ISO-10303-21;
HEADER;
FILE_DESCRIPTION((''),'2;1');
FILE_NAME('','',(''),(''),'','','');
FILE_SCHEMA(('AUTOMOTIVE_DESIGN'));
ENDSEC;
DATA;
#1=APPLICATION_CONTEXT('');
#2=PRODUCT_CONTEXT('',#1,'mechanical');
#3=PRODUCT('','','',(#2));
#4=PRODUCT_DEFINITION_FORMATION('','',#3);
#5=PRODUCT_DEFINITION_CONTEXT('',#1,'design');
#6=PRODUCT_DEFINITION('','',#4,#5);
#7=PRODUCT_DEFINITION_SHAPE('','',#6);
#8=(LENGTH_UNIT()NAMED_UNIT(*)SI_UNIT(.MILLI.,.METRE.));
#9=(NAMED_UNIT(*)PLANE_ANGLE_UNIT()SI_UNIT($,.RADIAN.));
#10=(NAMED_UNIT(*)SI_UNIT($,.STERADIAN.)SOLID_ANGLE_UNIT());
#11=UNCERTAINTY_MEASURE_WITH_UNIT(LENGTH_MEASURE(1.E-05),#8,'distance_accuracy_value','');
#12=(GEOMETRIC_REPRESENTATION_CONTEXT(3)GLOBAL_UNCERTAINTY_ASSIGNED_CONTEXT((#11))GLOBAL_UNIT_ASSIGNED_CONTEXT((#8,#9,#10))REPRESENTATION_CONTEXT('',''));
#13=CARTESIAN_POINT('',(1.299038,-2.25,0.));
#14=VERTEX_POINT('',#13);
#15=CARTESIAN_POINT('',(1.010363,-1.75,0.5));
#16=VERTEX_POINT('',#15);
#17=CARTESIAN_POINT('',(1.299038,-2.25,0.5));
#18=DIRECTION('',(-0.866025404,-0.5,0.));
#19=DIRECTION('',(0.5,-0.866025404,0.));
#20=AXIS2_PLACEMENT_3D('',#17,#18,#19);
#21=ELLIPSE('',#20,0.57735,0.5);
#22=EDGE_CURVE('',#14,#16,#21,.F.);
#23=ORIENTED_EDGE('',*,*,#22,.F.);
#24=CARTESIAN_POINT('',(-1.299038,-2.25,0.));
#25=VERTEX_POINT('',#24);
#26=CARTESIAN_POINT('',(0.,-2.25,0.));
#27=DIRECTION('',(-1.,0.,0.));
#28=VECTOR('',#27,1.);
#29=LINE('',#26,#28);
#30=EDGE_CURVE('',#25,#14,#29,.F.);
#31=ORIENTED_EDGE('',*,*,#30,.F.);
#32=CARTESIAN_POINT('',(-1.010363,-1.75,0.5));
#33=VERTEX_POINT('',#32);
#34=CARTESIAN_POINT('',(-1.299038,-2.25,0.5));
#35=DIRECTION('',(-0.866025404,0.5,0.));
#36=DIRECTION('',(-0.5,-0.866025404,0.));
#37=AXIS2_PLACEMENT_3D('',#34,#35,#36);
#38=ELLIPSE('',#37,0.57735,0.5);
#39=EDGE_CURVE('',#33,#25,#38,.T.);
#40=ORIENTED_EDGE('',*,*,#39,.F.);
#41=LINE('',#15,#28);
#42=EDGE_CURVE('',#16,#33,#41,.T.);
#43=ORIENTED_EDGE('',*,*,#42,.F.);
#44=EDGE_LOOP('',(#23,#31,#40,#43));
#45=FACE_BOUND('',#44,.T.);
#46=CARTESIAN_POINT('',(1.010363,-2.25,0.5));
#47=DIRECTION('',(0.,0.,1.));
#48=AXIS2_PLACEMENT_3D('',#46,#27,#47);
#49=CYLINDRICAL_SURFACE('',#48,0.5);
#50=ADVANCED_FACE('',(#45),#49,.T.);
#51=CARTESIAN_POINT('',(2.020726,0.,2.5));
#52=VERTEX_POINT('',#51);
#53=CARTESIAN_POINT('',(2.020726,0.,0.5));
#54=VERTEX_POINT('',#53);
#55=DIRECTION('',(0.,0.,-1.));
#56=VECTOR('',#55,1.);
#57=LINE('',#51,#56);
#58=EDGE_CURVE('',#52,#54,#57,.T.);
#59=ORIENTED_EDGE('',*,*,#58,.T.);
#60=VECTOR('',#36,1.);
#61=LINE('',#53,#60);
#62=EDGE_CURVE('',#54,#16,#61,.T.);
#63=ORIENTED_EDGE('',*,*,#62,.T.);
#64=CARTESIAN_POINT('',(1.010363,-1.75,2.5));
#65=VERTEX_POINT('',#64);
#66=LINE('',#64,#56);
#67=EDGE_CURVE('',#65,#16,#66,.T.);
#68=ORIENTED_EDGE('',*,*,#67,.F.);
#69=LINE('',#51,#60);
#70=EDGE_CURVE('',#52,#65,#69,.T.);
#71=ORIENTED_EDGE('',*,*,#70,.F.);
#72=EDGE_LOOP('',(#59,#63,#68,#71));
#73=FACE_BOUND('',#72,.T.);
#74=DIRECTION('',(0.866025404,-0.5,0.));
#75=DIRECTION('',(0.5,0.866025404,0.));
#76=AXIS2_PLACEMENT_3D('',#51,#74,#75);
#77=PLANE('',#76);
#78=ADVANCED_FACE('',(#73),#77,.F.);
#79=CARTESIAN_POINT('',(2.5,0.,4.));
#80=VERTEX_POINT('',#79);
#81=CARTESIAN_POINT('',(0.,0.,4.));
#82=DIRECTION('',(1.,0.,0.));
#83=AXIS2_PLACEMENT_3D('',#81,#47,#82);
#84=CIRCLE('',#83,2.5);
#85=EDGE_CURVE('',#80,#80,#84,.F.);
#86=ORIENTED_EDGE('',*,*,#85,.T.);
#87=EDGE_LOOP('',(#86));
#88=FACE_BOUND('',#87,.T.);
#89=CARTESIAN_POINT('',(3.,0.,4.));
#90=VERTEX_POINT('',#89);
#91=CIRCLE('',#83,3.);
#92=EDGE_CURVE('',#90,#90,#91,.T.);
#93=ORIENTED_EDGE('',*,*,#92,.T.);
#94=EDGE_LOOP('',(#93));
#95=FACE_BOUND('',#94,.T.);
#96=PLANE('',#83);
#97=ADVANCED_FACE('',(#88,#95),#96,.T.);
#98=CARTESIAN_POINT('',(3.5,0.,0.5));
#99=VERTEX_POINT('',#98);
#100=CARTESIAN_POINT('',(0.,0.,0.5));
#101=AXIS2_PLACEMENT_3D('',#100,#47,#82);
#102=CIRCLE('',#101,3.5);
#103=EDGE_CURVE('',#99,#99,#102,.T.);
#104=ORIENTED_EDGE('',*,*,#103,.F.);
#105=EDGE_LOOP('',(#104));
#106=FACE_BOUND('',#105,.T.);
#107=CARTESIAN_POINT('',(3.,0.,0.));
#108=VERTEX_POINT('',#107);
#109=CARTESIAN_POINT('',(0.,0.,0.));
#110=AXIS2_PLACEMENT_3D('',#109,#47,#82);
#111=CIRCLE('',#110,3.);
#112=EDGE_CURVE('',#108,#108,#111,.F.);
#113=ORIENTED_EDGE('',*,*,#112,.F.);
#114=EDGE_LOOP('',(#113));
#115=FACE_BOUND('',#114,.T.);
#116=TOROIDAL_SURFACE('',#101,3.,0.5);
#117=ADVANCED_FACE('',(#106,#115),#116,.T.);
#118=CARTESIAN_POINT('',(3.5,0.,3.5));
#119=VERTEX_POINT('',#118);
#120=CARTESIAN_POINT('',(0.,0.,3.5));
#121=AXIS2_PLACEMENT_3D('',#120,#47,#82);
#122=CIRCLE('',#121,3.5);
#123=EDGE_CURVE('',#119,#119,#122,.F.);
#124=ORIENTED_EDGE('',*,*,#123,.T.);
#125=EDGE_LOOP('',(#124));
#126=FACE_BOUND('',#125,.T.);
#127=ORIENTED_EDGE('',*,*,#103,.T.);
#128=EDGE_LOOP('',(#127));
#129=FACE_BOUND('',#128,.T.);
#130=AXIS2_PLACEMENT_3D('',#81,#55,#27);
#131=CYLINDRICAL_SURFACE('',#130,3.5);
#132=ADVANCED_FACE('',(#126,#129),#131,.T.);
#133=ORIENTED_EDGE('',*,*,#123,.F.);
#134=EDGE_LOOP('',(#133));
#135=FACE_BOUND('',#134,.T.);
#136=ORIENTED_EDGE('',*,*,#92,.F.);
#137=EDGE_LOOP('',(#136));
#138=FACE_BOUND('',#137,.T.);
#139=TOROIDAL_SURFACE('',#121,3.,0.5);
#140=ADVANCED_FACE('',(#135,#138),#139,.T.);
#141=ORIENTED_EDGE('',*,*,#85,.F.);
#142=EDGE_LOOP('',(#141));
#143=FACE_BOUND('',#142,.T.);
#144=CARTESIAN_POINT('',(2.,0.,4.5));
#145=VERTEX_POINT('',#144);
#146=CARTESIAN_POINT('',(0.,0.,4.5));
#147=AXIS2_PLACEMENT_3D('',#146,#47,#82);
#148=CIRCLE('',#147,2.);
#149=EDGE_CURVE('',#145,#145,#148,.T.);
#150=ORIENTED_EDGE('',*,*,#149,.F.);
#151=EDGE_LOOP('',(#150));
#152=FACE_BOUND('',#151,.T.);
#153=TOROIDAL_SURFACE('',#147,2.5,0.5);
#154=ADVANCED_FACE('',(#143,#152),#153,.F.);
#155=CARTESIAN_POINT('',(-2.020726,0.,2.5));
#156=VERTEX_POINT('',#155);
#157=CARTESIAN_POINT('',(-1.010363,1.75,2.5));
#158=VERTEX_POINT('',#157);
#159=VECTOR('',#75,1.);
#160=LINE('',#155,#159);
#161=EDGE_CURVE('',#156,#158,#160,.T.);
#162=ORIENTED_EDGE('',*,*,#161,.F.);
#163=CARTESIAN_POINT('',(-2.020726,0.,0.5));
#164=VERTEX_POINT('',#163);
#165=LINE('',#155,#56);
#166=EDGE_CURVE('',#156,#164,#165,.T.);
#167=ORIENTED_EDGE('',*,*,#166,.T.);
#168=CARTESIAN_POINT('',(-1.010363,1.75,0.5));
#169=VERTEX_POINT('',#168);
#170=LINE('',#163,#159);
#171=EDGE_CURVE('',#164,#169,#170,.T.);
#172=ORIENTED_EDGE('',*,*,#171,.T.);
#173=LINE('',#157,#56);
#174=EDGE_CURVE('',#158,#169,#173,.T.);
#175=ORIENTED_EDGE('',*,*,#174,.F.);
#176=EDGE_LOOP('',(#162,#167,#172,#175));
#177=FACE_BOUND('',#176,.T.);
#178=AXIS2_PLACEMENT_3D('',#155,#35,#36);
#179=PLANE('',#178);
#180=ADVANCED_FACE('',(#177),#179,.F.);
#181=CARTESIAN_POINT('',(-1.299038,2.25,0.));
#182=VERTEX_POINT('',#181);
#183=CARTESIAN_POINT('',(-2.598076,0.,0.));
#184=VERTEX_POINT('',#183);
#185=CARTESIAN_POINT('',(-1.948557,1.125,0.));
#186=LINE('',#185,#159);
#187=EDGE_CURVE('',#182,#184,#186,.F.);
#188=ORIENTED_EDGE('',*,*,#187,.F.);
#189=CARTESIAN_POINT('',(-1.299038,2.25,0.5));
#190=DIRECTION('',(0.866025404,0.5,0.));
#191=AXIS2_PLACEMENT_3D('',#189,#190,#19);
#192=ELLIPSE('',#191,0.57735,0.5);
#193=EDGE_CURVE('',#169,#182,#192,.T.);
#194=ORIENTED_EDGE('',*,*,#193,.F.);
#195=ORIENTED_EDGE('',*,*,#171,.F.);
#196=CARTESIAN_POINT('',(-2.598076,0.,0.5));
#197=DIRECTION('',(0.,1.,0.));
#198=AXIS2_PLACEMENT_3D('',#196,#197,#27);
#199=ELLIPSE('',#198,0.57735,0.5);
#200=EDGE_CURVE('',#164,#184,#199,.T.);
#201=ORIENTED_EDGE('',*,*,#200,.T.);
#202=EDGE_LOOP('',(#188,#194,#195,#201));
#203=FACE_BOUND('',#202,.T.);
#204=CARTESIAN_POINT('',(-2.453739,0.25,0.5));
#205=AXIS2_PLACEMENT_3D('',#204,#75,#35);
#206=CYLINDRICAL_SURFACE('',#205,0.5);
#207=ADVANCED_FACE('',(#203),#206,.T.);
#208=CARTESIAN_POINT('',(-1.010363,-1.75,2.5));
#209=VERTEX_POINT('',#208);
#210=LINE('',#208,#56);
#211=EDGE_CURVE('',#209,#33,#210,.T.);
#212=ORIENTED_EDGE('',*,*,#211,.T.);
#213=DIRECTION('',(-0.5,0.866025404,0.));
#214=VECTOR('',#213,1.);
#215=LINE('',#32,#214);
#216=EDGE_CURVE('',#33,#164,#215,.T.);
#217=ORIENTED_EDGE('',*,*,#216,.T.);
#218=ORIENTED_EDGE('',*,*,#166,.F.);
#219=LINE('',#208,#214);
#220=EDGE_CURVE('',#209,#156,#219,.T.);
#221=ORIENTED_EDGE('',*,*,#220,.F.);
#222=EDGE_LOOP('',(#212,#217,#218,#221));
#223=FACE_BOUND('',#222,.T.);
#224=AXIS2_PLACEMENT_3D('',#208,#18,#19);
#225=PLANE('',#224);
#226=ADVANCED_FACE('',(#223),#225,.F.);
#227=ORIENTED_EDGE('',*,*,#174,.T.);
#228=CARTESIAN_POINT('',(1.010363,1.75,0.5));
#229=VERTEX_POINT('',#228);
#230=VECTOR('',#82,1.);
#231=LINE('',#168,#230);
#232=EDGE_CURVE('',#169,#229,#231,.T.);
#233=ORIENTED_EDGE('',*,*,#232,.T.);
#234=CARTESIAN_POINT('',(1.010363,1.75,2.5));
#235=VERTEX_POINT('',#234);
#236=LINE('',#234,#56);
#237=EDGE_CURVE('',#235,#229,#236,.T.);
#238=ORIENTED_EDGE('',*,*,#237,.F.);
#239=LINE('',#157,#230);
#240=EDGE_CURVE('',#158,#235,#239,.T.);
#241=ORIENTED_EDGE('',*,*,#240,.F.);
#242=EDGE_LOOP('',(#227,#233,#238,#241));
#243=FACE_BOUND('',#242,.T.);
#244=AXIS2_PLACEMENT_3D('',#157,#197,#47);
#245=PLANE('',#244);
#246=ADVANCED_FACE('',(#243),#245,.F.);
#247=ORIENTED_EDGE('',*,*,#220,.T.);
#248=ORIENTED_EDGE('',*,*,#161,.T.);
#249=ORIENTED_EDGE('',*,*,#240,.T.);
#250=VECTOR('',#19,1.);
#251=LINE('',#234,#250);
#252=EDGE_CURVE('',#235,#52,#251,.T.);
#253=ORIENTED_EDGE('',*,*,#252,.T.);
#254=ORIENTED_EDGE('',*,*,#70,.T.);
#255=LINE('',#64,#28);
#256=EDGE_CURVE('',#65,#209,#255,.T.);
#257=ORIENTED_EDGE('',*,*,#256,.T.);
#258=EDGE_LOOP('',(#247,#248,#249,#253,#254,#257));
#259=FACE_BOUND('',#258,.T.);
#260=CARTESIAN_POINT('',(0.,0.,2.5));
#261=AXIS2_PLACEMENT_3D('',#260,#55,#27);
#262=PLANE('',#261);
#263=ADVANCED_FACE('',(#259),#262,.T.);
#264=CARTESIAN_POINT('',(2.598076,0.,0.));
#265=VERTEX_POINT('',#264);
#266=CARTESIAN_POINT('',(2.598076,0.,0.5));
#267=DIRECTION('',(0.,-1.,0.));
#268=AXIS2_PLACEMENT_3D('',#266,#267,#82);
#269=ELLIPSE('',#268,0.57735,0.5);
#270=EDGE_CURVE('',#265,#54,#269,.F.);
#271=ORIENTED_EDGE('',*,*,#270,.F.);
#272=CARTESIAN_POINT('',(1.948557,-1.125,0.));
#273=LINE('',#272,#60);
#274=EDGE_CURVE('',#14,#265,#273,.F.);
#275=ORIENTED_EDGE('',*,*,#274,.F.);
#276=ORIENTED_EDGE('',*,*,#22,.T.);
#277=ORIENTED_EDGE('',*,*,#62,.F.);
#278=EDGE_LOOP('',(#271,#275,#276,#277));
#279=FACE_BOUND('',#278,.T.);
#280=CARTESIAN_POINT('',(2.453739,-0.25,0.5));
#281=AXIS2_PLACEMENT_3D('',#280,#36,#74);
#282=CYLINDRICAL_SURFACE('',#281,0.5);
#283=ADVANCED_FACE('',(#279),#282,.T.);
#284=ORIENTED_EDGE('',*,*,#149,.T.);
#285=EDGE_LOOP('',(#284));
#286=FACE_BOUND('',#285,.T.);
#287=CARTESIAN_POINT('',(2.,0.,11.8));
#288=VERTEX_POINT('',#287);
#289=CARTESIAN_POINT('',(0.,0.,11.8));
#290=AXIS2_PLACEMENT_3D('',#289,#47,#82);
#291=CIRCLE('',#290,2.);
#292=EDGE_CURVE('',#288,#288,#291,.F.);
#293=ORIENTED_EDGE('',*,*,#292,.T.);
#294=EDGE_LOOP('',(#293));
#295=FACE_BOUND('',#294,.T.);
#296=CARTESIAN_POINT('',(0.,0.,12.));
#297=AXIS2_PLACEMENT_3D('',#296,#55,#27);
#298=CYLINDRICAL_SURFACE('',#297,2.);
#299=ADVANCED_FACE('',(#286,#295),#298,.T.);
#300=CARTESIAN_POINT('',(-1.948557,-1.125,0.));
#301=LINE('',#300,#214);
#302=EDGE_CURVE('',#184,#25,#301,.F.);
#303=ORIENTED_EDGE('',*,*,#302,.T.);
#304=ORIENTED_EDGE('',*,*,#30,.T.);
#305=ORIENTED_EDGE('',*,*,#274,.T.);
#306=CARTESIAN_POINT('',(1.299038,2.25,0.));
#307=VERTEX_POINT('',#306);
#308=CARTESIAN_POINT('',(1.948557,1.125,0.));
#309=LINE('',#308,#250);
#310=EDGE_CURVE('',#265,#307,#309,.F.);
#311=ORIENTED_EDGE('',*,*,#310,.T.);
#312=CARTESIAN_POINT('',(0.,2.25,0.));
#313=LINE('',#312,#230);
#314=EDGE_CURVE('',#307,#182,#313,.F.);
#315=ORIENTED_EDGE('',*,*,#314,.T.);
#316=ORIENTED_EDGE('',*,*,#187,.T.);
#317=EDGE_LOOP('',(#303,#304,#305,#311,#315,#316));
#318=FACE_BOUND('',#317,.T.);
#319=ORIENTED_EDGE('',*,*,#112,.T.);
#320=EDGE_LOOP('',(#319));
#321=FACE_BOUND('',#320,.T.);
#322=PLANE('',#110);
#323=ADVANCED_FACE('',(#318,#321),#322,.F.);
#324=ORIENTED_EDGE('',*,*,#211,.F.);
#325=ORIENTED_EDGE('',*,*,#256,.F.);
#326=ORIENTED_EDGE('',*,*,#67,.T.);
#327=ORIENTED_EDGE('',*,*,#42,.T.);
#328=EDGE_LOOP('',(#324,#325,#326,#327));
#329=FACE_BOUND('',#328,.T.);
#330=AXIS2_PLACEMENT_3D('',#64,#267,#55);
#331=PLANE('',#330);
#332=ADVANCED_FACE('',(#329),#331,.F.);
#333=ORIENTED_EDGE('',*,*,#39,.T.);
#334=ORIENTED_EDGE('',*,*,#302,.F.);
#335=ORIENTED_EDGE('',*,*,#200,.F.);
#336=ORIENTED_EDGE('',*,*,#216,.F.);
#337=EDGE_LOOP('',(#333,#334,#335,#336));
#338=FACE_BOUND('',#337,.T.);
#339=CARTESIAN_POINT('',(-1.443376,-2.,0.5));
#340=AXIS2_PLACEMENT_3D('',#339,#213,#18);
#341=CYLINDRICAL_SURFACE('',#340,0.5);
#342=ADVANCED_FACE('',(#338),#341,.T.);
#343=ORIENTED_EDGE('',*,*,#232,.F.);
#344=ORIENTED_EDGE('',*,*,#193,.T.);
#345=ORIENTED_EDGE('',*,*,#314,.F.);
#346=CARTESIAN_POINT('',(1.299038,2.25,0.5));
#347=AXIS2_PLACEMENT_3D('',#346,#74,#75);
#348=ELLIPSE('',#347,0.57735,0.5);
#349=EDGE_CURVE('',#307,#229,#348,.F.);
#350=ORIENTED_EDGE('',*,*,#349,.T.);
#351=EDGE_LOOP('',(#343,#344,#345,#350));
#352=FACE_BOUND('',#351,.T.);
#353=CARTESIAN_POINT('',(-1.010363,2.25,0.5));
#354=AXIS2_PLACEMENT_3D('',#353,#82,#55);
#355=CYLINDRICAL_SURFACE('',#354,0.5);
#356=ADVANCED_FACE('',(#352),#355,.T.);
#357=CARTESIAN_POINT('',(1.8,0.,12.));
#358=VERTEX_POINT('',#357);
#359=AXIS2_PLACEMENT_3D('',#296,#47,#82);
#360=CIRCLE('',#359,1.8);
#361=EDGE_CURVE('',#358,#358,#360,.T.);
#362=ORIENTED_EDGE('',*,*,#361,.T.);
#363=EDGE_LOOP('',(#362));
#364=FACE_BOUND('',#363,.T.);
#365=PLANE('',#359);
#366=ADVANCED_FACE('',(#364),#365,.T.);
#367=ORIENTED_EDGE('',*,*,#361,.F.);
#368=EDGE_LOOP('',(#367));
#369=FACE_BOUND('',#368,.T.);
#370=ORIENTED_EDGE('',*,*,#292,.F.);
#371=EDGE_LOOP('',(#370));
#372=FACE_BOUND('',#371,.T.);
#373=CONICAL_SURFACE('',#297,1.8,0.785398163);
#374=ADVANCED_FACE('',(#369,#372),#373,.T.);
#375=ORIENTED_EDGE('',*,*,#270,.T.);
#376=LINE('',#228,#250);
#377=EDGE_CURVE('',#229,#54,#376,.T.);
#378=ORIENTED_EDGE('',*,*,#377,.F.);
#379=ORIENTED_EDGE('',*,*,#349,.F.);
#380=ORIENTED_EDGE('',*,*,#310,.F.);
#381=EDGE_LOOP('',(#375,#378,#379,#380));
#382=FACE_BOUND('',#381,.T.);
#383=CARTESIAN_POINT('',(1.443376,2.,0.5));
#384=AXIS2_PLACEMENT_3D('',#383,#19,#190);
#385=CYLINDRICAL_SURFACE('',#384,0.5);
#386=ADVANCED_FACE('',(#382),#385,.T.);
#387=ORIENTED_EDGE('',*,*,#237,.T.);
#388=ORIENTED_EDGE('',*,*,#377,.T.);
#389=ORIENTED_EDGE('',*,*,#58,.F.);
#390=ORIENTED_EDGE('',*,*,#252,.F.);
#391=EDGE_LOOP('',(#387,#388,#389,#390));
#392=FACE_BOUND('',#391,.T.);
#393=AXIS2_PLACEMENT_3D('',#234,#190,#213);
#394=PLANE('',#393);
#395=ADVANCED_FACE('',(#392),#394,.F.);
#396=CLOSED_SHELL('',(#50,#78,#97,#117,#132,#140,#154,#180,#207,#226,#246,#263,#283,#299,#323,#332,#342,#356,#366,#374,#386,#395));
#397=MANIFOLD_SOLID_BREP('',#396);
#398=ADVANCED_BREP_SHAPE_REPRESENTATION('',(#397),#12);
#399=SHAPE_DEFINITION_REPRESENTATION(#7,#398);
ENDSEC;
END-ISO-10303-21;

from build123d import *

# Parameters (mm, degrees)
SKETCH1_R           = 3.5
BOSS_EXTRUDE1_DEPTH = 4
SKETCH2_R           = 2
BOSS_EXTRUDE2_DEPTH = 8
CUT_EXTRUDE1_DEPTH  = 2.5
FILLET1_R           = 0.5
CHAMFER1_SIZE       = 0.2


with BuildPart() as part:
    # Sketch1 → Boss-Extrude1 (new body)
    with BuildSketch(Plane.XY):
        Circle(SKETCH1_R)
    extrude(amount=BOSS_EXTRUDE1_DEPTH)

    # Sketch2 → Boss-Extrude2 (add)
    with BuildSketch(Plane.XY.offset(4)):
        Circle(SKETCH2_R)
    extrude(amount=BOSS_EXTRUDE2_DEPTH)

    # Sketch3 → Cut-Extrude1 (cut)
    with BuildSketch(Plane(origin=(0, 0, 0), x_dir=(-1, 0, 0), z_dir=(0, 0, -1))):
        Polygon((2.020725942, 0), (1.010362971, 1.75), (-1.010362971, 1.75), (-2.020725942, 0), (-1.010362971, -1.75), (1.010362971, -1.75), align=None)
    extrude(amount=-CUT_EXTRUDE1_DEPTH, mode=Mode.SUBTRACT)

    # Fillet1
    fillet1_edges = [part.edges().sort_by_distance(p)[0] for p in [
        (-1.515544457, -0.875, 0),
        (-1.515544457, 0.875, 0),
        (0, 1.75, 0),
        (1.515544457, 0.875, 0),
        (1.515544457, -0.875, 0),
        (0, -1.75, 0),
        (-3.5, 0, 0),
        (-3.5, 0, 4),
        (-2, 0, 4),
    ]]
    fillet(fillet1_edges, radius=FILLET1_R)

    # Chamfer1
    chamfer1_edges = [part.edges().sort_by_distance(p)[0] for p in [
        (-2, 0, 12),
    ]]
    chamfer(chamfer1_edges, length=CHAMFER1_SIZE)


solid = part.part
